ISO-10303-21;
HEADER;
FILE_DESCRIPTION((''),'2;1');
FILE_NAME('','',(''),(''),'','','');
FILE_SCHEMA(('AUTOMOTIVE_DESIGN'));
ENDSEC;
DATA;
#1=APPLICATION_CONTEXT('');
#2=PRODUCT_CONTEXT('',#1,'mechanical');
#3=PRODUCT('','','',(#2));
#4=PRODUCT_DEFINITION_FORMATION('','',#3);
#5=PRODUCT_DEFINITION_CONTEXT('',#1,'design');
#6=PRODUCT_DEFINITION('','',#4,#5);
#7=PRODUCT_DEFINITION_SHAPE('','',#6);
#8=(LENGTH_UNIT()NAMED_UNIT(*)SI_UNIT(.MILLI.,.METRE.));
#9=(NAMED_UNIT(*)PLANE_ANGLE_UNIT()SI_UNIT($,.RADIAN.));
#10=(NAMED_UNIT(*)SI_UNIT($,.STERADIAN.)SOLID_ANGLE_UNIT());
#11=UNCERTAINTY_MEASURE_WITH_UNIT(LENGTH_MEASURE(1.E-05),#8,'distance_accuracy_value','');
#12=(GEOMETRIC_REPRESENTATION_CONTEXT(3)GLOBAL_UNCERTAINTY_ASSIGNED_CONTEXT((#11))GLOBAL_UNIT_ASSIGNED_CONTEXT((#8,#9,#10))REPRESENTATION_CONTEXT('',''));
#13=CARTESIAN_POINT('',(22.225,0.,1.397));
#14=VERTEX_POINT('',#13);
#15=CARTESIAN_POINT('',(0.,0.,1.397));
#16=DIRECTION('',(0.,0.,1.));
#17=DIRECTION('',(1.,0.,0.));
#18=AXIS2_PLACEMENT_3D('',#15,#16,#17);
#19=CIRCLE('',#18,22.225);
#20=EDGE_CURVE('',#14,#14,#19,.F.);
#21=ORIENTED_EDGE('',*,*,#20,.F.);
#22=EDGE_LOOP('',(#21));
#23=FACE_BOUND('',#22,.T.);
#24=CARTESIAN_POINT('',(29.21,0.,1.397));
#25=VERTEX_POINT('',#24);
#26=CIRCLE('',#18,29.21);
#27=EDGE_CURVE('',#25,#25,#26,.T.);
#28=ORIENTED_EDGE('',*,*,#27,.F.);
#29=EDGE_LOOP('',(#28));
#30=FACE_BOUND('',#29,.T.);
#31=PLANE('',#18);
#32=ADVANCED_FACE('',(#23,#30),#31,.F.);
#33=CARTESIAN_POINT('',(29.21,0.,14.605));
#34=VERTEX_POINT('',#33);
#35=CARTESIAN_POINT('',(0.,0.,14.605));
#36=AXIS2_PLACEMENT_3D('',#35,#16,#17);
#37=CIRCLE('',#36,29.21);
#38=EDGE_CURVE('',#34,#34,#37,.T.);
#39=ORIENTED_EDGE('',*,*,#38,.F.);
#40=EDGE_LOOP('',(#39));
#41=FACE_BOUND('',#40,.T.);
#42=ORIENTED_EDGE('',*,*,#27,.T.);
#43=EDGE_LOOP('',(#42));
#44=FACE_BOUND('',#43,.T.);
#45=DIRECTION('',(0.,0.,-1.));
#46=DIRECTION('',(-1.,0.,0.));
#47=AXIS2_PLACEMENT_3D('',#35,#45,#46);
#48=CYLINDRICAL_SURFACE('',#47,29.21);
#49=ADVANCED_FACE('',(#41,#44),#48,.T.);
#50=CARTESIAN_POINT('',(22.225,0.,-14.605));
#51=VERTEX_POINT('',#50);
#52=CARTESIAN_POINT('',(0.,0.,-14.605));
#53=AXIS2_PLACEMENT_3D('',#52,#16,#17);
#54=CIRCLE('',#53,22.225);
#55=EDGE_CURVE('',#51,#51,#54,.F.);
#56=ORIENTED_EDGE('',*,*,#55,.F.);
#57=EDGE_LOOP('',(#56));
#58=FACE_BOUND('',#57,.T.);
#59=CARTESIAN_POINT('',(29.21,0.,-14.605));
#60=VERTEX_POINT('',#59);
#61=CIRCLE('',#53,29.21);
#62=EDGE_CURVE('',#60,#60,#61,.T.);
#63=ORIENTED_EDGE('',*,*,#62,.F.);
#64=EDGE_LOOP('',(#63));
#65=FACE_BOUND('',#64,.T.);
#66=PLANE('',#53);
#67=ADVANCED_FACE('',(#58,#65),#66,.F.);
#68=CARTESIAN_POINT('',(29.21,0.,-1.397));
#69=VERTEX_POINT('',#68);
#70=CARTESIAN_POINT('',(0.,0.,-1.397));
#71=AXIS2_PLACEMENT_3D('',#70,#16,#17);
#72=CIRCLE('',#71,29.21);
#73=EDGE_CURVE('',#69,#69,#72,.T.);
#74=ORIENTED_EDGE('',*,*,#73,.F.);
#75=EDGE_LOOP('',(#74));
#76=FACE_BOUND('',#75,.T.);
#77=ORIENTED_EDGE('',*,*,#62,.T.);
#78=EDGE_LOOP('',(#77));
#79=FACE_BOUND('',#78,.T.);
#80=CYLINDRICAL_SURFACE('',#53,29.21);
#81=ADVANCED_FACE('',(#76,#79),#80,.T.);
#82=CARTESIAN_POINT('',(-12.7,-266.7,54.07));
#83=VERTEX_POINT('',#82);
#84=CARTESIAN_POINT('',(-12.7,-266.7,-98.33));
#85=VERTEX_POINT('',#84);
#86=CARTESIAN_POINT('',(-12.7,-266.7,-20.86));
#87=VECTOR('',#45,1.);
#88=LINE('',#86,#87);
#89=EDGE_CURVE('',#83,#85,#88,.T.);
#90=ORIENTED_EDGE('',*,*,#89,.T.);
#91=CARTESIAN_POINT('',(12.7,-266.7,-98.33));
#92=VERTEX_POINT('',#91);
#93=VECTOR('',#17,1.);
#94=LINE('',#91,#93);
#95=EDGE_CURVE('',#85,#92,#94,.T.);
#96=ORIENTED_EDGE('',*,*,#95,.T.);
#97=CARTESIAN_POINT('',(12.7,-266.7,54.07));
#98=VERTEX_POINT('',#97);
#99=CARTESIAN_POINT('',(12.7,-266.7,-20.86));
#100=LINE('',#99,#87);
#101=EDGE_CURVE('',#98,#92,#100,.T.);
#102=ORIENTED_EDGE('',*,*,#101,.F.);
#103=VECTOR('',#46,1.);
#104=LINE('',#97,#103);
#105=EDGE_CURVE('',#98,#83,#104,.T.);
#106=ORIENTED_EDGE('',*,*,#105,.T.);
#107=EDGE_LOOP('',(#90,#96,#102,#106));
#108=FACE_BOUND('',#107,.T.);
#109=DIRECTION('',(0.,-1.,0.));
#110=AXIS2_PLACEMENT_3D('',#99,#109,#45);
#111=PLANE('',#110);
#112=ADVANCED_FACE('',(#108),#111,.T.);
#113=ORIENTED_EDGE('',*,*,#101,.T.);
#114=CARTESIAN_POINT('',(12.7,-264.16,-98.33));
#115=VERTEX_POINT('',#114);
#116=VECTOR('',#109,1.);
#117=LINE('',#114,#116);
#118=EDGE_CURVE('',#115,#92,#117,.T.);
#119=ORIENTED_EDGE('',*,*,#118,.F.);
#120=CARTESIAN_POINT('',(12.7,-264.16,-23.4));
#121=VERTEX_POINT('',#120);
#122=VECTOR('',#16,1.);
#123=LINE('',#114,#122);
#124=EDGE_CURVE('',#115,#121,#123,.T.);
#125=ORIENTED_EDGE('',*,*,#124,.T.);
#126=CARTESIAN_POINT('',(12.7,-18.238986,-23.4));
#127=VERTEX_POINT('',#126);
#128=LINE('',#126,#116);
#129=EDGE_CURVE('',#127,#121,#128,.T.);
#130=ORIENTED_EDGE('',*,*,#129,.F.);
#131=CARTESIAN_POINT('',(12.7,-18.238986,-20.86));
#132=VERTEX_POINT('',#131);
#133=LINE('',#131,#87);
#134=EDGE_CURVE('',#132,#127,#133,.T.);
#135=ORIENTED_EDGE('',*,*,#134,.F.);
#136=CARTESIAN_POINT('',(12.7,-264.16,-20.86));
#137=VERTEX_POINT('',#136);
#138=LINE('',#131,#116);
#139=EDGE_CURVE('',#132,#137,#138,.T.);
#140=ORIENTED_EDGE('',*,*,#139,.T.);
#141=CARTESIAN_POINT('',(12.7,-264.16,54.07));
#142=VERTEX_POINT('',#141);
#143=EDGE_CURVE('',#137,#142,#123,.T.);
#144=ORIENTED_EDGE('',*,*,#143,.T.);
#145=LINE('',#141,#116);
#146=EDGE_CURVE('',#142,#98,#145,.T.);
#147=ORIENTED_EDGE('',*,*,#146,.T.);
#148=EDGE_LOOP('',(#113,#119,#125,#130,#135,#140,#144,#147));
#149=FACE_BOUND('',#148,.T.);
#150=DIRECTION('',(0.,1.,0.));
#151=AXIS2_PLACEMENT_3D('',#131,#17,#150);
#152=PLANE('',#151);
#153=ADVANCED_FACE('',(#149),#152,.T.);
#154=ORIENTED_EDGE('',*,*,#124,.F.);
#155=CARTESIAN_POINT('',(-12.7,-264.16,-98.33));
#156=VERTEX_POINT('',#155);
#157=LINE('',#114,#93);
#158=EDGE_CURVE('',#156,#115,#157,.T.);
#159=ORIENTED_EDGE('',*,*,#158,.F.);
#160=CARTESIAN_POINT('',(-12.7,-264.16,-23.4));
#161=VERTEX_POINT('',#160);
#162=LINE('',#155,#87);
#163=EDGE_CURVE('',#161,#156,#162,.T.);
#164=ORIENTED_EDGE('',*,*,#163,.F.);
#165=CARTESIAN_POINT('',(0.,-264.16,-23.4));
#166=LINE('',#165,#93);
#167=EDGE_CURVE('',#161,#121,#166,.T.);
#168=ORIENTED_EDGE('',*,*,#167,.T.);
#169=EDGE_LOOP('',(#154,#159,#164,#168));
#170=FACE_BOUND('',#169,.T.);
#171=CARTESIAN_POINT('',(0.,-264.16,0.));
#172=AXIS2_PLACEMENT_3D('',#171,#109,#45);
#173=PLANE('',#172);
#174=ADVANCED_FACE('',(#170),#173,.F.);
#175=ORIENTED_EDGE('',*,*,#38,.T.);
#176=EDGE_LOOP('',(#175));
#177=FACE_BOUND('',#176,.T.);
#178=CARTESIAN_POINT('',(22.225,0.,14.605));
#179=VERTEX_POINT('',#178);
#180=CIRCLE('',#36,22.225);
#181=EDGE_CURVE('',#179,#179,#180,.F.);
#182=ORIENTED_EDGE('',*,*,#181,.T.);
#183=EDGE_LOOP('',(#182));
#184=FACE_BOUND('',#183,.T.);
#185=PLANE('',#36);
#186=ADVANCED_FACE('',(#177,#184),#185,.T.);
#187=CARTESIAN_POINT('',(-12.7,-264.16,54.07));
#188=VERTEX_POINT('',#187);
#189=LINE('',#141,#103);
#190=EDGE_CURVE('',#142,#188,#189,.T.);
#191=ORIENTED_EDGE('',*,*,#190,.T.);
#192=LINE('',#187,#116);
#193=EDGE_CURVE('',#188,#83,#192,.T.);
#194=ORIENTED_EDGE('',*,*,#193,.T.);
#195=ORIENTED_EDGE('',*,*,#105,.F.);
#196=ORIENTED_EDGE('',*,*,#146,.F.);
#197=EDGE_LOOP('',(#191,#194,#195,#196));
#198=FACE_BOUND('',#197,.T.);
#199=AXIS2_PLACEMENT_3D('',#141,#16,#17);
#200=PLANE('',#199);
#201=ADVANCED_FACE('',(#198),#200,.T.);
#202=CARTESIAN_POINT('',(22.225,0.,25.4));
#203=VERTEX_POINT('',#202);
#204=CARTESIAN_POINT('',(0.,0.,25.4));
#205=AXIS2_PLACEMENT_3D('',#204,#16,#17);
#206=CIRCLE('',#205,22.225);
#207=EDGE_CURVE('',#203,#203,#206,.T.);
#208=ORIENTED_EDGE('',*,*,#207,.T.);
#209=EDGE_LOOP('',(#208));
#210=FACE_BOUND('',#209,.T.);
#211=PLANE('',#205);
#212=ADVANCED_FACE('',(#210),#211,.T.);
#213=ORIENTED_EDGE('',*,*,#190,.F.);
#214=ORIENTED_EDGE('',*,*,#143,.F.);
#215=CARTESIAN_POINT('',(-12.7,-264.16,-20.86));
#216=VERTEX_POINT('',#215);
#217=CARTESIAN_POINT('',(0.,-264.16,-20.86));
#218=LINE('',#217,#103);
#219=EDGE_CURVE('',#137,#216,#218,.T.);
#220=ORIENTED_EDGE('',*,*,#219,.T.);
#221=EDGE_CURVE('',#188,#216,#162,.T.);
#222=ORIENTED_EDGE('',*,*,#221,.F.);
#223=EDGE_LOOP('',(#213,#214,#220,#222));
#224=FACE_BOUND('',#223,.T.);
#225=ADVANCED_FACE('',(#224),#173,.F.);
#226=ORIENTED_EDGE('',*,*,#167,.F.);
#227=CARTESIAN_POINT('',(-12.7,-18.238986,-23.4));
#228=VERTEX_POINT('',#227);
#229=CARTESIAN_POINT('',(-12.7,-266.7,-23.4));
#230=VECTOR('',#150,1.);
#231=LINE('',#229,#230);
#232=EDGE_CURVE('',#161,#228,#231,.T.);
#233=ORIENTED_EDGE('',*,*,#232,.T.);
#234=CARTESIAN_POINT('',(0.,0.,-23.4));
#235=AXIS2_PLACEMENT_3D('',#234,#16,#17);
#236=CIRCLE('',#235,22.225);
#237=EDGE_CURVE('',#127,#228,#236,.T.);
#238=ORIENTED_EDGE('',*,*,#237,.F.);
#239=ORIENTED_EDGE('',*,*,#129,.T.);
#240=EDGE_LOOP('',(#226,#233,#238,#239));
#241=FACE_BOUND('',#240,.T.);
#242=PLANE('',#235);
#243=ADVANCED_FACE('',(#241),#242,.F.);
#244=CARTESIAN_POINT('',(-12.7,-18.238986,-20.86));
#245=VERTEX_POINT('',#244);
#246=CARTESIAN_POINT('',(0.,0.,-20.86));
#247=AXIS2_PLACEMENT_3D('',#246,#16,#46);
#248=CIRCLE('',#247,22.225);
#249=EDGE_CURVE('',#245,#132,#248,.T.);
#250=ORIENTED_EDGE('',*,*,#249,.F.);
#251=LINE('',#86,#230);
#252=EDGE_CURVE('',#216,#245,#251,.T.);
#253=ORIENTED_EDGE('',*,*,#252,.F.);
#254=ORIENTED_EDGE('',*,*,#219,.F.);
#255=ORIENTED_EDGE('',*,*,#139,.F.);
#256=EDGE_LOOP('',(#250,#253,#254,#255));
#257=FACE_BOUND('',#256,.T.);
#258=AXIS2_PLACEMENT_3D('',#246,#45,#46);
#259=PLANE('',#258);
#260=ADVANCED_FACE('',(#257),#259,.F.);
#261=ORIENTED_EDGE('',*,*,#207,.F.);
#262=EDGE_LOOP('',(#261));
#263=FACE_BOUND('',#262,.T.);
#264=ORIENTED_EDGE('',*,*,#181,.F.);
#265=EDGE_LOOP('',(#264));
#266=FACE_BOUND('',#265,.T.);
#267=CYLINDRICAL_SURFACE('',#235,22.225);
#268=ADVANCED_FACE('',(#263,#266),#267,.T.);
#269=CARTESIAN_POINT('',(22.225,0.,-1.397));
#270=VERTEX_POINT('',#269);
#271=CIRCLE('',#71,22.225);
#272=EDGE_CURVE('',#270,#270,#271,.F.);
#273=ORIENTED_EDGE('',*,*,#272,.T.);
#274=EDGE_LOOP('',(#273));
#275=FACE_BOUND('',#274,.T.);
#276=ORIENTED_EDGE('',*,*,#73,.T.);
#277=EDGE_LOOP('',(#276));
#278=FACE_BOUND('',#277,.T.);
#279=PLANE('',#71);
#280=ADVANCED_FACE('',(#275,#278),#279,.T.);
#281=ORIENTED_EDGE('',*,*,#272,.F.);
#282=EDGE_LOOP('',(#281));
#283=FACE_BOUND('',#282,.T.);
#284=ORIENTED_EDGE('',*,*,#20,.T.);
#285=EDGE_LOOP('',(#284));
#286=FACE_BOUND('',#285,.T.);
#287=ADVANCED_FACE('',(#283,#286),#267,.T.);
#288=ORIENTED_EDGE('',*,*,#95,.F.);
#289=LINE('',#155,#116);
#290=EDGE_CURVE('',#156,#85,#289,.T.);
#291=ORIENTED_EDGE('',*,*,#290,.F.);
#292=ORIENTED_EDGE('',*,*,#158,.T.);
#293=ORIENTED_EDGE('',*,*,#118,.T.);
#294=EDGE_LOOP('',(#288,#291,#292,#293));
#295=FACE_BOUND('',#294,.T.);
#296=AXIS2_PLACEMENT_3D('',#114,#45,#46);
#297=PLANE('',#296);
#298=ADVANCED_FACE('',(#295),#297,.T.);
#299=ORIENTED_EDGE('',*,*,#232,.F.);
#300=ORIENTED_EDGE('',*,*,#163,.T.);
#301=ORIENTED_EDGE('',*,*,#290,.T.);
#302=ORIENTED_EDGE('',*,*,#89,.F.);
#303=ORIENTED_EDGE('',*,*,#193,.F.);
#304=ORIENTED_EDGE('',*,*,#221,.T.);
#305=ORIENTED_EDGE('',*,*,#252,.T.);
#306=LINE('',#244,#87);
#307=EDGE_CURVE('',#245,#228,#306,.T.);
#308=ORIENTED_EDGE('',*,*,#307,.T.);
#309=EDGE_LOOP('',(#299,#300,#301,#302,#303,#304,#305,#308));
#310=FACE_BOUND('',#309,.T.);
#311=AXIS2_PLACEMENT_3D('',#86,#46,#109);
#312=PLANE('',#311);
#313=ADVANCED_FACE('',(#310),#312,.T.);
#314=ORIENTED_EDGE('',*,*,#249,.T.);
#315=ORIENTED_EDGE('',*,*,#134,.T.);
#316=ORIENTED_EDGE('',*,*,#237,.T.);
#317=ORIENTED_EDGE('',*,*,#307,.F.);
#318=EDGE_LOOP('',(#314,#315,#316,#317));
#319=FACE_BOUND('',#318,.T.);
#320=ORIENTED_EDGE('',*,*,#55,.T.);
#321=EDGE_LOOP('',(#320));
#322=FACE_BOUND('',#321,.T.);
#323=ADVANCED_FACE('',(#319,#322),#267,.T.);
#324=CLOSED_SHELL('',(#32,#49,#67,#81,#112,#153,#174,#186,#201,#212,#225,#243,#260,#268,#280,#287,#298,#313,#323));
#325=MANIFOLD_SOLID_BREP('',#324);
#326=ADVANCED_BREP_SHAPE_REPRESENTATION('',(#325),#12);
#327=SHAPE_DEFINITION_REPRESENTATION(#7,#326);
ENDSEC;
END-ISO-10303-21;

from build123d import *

# Parameters (mm, degrees)
SKETCH1_R                = 22.225
HUB_CENTER_DEPTH         = 25.4
HUB_CENTER_DEPTH_BACK    = 23.4
INNER_START              = 1.397
SKETCH2_R                = 29.21
INNER_BEARING_DEPTH      = 13.208
OUTER_START              = -1.397
SKETCH3_R                = 29.21
OUTER_BEARING_DEPTH      = 13.208
TIRE_ARM_DEPTH           = 2.54
SKETCH5_W                = 25.4
SKETCH5_H                = 152.4
TIRE_CONTACT_PATCH_DEPTH = 2.54


with BuildPart() as part:
    # Sketch1 → Hub Center (new body, two sides)
    with BuildSketch(Plane.XY) as hub_center_sk:
        Circle(SKETCH1_R)
    extrude(amount=HUB_CENTER_DEPTH)
    extrude(hub_center_sk.sketch, amount=-HUB_CENTER_DEPTH_BACK)

    # Sketch2 → Inner Bearing (add)
    with BuildSketch(Plane.XY.offset(INNER_START)):
        Circle(SKETCH2_R)
    extrude(amount=INNER_BEARING_DEPTH)

    # Sketch3 → Outer Bearing (add)
    with BuildSketch(Plane.XY.offset(OUTER_START)):
        Circle(SKETCH3_R)
    extrude(amount=-OUTER_BEARING_DEPTH)

    # Sketch4 → Tire Arm (add)
    with BuildSketch(Plane(origin=(0, 0, -23.4), x_dir=(-1, 0, 0), z_dir=(0, 0, -1))):
        with BuildLine():
            Line((-12.7, -18.238986403), (-12.7, -266.7))
            Line((-12.7, -266.7), (12.7, -266.7))
            Line((12.7, -266.7), (12.7, -18.238986403))
            ThreePointArc((12.7, -18.238986403), (0, -22.225), (-12.7, -18.238986403))
        make_face()
    extrude(amount=-TIRE_ARM_DEPTH)

    # Sketch5 → Tire Contact Patch (add)
    with BuildSketch(Plane.XZ.offset(266.7)):
        with Locations((0, -22.13)):
            Rectangle(SKETCH5_W, SKETCH5_H)
    extrude(amount=-TIRE_CONTACT_PATCH_DEPTH)


solid = part.part
